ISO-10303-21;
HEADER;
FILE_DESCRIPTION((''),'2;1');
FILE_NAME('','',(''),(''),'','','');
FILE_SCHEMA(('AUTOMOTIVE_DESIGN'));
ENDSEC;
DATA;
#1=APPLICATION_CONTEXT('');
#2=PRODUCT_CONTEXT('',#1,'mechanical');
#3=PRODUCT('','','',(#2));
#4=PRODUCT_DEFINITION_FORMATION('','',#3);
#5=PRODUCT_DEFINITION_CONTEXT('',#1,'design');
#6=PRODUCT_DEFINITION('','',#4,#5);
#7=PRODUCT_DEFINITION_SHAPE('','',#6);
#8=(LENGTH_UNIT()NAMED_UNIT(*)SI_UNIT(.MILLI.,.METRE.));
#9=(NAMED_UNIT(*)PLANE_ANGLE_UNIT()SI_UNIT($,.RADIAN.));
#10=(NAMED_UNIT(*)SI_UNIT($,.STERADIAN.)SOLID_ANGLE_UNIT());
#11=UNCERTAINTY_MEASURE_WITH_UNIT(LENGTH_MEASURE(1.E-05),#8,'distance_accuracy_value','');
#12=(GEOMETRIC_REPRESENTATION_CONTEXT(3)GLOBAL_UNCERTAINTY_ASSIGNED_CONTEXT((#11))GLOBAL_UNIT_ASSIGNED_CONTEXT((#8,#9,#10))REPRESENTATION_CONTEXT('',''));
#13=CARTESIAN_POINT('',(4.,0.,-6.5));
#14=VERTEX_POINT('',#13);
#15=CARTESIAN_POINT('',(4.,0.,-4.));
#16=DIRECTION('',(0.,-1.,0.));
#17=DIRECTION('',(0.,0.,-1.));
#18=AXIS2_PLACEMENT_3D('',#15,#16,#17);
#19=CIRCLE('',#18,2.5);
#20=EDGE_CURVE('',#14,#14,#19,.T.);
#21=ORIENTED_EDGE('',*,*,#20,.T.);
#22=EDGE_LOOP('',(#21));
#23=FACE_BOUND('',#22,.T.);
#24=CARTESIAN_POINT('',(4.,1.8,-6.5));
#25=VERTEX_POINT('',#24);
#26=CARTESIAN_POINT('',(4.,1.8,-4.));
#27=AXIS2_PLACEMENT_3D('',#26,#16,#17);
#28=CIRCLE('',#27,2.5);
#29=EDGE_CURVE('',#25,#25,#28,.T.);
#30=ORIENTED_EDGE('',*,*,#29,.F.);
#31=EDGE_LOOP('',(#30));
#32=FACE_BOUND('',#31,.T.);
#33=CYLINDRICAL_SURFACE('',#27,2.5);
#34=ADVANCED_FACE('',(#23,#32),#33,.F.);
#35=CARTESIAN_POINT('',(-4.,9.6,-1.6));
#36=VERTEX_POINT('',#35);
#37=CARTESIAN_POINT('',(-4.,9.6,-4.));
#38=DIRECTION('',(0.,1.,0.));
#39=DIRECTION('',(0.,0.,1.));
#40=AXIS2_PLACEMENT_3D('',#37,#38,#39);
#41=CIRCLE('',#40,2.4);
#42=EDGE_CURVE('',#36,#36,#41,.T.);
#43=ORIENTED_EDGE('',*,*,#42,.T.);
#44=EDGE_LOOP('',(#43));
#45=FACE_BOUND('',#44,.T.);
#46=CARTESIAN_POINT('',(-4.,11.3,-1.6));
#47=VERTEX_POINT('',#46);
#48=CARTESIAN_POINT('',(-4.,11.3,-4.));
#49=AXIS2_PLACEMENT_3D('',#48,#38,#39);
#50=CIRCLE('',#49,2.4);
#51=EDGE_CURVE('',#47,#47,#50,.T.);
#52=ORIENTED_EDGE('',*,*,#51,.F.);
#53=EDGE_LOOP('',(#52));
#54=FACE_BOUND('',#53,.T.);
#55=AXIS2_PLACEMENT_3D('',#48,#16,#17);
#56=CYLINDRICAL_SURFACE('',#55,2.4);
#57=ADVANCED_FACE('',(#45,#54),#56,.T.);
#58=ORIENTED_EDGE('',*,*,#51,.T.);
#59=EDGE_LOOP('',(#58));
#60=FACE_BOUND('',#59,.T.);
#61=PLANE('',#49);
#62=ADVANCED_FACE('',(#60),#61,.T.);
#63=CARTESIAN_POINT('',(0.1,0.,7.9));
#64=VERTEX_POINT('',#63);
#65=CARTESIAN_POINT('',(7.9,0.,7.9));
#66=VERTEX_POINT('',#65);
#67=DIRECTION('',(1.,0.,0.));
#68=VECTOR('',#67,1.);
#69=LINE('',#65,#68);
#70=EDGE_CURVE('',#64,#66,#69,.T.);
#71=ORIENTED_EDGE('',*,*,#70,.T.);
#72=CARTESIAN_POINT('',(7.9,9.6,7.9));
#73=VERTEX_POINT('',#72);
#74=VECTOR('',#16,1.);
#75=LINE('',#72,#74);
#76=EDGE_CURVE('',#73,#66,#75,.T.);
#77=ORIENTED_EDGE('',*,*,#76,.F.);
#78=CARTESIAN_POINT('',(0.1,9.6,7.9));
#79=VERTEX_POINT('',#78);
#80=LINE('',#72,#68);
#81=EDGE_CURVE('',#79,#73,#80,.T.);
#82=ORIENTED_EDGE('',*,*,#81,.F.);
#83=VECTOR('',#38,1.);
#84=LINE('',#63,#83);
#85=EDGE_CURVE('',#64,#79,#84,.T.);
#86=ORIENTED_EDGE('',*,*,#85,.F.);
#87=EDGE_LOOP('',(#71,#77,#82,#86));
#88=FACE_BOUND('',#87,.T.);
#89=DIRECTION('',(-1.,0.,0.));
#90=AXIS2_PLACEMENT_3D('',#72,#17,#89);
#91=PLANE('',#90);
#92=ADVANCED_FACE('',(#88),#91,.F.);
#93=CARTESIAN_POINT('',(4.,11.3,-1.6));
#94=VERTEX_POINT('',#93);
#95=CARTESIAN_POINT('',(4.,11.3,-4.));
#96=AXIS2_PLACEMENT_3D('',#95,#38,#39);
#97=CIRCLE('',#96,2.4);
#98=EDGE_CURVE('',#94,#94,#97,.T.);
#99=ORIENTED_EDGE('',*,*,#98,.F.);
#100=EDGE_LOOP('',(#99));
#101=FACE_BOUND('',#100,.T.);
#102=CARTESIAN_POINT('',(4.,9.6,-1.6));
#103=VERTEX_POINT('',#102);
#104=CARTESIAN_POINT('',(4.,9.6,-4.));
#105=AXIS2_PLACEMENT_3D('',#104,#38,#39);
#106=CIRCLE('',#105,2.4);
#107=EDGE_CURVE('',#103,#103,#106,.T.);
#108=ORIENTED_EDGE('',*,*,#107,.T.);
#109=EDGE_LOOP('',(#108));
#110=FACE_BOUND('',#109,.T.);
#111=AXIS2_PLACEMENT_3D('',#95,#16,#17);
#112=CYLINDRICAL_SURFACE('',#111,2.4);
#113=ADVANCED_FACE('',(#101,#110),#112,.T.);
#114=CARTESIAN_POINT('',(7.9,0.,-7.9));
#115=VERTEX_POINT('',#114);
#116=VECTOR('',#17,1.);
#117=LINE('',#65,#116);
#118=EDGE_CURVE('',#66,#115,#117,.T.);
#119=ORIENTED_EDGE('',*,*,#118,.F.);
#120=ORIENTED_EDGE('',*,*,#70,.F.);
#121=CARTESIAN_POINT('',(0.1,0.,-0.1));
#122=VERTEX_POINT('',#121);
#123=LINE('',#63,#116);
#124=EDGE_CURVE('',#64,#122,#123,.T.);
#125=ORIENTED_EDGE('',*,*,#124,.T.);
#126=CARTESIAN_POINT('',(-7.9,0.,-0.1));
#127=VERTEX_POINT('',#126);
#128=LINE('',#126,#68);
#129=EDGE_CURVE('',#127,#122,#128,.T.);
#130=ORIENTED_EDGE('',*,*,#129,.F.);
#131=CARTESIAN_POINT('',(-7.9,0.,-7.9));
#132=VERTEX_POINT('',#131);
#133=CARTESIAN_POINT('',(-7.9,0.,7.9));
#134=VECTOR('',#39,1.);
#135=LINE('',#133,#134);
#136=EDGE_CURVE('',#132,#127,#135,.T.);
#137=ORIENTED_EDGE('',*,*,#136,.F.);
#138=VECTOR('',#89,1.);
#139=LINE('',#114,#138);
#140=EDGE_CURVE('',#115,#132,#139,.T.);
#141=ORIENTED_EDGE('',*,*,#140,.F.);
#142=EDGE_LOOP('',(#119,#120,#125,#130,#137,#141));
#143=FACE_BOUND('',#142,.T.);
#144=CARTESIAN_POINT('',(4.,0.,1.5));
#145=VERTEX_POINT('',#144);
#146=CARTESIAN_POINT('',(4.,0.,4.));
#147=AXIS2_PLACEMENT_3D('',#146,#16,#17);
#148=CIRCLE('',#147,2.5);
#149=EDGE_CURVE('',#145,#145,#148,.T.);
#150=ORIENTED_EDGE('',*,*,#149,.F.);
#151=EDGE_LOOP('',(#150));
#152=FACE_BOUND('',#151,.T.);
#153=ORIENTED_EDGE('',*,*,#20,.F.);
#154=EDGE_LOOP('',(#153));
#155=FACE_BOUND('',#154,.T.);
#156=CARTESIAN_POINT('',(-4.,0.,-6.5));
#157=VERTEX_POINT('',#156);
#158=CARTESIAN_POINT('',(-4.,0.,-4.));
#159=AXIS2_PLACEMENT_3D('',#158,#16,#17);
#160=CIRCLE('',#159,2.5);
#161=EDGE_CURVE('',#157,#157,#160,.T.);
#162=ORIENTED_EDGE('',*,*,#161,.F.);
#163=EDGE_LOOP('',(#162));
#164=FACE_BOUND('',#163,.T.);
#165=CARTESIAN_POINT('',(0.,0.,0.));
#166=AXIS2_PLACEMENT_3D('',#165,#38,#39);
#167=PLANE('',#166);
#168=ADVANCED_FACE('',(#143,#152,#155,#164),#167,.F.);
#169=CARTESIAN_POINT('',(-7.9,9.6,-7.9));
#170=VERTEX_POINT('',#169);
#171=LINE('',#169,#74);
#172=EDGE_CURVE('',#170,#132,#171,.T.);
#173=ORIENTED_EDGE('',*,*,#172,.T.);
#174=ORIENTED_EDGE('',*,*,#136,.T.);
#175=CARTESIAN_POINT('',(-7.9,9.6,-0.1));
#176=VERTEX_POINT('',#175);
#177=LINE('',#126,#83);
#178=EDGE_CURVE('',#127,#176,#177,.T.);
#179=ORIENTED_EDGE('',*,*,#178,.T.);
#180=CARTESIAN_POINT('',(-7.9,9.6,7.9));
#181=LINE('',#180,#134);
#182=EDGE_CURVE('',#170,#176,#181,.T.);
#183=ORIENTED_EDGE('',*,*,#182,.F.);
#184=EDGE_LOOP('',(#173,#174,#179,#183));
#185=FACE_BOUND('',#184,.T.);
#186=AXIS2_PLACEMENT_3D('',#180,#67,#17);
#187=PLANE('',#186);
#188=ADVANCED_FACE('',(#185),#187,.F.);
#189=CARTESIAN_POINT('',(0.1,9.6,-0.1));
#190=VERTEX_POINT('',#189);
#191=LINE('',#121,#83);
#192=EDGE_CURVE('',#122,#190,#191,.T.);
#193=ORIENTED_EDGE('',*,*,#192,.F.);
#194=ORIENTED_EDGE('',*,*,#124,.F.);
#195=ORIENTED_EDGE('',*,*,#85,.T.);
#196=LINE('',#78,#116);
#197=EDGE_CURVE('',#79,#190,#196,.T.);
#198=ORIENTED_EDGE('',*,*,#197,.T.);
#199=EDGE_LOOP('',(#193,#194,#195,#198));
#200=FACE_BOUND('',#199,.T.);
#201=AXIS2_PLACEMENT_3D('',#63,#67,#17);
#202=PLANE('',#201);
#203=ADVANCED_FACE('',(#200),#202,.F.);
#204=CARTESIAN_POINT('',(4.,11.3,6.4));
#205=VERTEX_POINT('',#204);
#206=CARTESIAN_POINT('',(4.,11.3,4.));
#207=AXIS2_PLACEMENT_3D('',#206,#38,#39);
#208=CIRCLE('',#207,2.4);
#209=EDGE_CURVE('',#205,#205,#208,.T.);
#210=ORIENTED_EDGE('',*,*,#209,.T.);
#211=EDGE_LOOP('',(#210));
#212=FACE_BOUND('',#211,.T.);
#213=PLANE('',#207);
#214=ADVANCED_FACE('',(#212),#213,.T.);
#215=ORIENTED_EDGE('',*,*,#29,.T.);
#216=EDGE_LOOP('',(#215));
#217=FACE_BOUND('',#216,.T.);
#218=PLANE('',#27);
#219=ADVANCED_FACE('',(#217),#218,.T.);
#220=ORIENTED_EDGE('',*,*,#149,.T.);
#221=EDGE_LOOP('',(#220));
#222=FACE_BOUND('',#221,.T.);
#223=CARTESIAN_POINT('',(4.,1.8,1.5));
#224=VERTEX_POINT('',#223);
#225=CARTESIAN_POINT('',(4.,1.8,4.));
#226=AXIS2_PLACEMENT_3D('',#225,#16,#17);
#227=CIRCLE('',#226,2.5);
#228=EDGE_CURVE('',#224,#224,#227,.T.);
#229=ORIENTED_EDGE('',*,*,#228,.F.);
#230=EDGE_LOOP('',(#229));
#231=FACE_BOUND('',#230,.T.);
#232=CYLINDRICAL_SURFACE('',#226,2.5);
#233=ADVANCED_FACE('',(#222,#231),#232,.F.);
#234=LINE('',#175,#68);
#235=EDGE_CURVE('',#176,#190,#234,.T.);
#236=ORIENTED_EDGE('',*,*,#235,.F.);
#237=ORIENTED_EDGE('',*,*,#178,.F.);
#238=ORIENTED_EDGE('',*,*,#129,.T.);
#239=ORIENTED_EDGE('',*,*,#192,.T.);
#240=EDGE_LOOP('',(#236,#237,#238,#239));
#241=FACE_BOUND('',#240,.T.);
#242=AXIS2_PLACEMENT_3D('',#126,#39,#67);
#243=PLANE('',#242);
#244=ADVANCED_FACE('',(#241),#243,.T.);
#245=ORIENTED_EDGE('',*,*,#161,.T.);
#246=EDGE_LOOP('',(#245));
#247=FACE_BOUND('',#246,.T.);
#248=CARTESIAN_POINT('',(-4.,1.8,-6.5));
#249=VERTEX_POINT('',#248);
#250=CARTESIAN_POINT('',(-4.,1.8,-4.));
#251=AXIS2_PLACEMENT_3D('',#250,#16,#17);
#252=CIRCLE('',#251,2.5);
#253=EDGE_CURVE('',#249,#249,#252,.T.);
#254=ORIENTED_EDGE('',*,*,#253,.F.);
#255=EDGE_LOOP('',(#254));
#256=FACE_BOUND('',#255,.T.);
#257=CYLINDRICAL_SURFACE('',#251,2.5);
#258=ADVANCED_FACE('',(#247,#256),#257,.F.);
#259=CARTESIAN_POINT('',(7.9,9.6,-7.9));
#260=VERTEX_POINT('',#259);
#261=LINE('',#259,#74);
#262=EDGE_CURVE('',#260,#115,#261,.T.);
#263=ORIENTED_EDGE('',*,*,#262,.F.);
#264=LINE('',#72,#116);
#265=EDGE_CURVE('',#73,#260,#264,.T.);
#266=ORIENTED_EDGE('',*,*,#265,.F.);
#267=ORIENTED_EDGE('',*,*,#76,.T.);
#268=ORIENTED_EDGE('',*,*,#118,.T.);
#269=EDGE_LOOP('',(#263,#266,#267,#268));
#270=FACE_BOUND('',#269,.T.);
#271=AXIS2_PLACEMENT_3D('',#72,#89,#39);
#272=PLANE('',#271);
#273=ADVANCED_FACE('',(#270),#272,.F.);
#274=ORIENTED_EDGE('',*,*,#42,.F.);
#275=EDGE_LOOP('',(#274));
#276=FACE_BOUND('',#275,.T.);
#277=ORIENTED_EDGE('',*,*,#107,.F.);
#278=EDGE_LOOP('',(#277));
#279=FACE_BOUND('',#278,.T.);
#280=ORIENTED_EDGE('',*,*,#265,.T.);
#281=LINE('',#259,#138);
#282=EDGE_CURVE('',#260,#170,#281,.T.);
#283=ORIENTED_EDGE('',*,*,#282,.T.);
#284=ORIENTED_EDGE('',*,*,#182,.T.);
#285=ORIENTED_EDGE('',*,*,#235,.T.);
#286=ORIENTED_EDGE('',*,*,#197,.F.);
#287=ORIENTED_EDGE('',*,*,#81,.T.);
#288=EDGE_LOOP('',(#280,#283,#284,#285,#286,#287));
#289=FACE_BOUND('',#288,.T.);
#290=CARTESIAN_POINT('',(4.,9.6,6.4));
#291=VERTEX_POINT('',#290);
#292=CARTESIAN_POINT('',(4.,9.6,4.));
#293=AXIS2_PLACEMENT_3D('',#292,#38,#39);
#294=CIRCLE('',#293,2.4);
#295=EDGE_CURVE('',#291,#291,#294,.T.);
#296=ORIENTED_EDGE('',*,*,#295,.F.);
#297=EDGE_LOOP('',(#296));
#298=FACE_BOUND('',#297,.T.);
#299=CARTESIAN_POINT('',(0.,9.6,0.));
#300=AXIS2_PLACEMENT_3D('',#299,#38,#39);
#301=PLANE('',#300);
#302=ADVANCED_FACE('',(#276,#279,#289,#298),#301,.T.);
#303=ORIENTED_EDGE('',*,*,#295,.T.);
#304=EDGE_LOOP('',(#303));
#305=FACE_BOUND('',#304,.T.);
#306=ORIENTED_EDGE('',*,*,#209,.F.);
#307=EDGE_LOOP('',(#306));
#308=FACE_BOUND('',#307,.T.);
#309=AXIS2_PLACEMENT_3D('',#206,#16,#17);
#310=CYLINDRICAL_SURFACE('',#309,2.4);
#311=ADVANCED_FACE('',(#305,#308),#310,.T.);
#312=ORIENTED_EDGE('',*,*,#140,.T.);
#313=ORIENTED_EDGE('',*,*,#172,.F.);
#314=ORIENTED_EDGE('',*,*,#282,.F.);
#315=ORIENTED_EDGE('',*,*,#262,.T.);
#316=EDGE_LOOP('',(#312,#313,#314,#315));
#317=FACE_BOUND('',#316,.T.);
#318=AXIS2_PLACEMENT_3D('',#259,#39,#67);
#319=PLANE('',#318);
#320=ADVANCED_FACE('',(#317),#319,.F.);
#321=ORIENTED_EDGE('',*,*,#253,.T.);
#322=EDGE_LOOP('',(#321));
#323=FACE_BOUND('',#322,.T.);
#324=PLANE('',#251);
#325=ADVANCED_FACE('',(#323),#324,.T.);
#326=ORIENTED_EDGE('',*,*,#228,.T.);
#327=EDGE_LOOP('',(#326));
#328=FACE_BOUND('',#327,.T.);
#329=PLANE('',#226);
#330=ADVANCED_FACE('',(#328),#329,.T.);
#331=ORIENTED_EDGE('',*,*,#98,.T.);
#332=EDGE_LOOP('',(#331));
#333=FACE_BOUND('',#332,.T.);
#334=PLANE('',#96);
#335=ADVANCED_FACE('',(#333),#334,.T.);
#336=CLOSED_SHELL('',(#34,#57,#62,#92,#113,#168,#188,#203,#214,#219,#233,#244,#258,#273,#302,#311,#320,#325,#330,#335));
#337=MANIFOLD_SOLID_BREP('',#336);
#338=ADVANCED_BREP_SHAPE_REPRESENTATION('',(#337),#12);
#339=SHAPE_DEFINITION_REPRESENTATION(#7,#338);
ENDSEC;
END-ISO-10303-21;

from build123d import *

# Parameters (mm, degrees)
SKETCH_2_W          = 15.8
SKETCH_2_H          = 15.8
EXTRUDE_1_DEPTH     = 9.6
SKETCH_3_W          = 8
SKETCH_3_H          = 8
CUT_EXTRUDE_1_DEPTH = 9.6
SKETCH_4_R          = 2.4
EXTRUDE_2_DEPTH     = 1.7
SKETCH_5_R          = 2.5
CUT_EXTRUDE_2_DEPTH = 1.8


with BuildPart() as part:
    # Эскиз2 → Бобышка-Вытянуть1 (new body)
    with BuildSketch(Plane(origin=(0, 0, 0), x_dir=(1, 0, 0), z_dir=(0, 1, 0))):
        Rectangle(SKETCH_2_W, SKETCH_2_H)
    extrude(amount=EXTRUDE_1_DEPTH)

    # Эскиз3 → Вырез-Вытянуть1 (cut)
    with BuildSketch(Plane(origin=(0, 9.6, 0), x_dir=(1, 0, 0), z_dir=(0, 1, 0))):
        with Locations((-3.9, -3.9)):
            Rectangle(SKETCH_3_W, SKETCH_3_H)
    extrude(amount=-CUT_EXTRUDE_1_DEPTH, mode=Mode.SUBTRACT)

    # Эскиз4 → Бобышка-Вытянуть2 (add)
    with BuildSketch(Plane(origin=(0, 9.6, 0), x_dir=(1, 0, 0), z_dir=(0, 1, 0))):
        with Locations(Location((-4, 4, 0), (0, 0, 270))):
            Circle(SKETCH_4_R)
        with Locations(Location((4, 4, 0), (0, 0, 270))):
            Circle(SKETCH_4_R)
        with Locations(Location((4, -4, 0), (0, 0, 270))):
            Circle(SKETCH_4_R)
    extrude(amount=EXTRUDE_2_DEPTH)

    # Эскиз5 → Вырез-Вытянуть2 (cut)
    with BuildSketch(Plane.XZ):
        with Locations(Location((-4, -4, 0), (0, 0, 270))):
            Circle(SKETCH_5_R)
        with Locations(Location((4, -4, 0), (0, 0, 270))):
            Circle(SKETCH_5_R)
        with Locations(Location((4, 4, 0), (0, 0, 270))):
            Circle(SKETCH_5_R)
    extrude(amount=-CUT_EXTRUDE_2_DEPTH, mode=Mode.SUBTRACT)


solid = part.part
